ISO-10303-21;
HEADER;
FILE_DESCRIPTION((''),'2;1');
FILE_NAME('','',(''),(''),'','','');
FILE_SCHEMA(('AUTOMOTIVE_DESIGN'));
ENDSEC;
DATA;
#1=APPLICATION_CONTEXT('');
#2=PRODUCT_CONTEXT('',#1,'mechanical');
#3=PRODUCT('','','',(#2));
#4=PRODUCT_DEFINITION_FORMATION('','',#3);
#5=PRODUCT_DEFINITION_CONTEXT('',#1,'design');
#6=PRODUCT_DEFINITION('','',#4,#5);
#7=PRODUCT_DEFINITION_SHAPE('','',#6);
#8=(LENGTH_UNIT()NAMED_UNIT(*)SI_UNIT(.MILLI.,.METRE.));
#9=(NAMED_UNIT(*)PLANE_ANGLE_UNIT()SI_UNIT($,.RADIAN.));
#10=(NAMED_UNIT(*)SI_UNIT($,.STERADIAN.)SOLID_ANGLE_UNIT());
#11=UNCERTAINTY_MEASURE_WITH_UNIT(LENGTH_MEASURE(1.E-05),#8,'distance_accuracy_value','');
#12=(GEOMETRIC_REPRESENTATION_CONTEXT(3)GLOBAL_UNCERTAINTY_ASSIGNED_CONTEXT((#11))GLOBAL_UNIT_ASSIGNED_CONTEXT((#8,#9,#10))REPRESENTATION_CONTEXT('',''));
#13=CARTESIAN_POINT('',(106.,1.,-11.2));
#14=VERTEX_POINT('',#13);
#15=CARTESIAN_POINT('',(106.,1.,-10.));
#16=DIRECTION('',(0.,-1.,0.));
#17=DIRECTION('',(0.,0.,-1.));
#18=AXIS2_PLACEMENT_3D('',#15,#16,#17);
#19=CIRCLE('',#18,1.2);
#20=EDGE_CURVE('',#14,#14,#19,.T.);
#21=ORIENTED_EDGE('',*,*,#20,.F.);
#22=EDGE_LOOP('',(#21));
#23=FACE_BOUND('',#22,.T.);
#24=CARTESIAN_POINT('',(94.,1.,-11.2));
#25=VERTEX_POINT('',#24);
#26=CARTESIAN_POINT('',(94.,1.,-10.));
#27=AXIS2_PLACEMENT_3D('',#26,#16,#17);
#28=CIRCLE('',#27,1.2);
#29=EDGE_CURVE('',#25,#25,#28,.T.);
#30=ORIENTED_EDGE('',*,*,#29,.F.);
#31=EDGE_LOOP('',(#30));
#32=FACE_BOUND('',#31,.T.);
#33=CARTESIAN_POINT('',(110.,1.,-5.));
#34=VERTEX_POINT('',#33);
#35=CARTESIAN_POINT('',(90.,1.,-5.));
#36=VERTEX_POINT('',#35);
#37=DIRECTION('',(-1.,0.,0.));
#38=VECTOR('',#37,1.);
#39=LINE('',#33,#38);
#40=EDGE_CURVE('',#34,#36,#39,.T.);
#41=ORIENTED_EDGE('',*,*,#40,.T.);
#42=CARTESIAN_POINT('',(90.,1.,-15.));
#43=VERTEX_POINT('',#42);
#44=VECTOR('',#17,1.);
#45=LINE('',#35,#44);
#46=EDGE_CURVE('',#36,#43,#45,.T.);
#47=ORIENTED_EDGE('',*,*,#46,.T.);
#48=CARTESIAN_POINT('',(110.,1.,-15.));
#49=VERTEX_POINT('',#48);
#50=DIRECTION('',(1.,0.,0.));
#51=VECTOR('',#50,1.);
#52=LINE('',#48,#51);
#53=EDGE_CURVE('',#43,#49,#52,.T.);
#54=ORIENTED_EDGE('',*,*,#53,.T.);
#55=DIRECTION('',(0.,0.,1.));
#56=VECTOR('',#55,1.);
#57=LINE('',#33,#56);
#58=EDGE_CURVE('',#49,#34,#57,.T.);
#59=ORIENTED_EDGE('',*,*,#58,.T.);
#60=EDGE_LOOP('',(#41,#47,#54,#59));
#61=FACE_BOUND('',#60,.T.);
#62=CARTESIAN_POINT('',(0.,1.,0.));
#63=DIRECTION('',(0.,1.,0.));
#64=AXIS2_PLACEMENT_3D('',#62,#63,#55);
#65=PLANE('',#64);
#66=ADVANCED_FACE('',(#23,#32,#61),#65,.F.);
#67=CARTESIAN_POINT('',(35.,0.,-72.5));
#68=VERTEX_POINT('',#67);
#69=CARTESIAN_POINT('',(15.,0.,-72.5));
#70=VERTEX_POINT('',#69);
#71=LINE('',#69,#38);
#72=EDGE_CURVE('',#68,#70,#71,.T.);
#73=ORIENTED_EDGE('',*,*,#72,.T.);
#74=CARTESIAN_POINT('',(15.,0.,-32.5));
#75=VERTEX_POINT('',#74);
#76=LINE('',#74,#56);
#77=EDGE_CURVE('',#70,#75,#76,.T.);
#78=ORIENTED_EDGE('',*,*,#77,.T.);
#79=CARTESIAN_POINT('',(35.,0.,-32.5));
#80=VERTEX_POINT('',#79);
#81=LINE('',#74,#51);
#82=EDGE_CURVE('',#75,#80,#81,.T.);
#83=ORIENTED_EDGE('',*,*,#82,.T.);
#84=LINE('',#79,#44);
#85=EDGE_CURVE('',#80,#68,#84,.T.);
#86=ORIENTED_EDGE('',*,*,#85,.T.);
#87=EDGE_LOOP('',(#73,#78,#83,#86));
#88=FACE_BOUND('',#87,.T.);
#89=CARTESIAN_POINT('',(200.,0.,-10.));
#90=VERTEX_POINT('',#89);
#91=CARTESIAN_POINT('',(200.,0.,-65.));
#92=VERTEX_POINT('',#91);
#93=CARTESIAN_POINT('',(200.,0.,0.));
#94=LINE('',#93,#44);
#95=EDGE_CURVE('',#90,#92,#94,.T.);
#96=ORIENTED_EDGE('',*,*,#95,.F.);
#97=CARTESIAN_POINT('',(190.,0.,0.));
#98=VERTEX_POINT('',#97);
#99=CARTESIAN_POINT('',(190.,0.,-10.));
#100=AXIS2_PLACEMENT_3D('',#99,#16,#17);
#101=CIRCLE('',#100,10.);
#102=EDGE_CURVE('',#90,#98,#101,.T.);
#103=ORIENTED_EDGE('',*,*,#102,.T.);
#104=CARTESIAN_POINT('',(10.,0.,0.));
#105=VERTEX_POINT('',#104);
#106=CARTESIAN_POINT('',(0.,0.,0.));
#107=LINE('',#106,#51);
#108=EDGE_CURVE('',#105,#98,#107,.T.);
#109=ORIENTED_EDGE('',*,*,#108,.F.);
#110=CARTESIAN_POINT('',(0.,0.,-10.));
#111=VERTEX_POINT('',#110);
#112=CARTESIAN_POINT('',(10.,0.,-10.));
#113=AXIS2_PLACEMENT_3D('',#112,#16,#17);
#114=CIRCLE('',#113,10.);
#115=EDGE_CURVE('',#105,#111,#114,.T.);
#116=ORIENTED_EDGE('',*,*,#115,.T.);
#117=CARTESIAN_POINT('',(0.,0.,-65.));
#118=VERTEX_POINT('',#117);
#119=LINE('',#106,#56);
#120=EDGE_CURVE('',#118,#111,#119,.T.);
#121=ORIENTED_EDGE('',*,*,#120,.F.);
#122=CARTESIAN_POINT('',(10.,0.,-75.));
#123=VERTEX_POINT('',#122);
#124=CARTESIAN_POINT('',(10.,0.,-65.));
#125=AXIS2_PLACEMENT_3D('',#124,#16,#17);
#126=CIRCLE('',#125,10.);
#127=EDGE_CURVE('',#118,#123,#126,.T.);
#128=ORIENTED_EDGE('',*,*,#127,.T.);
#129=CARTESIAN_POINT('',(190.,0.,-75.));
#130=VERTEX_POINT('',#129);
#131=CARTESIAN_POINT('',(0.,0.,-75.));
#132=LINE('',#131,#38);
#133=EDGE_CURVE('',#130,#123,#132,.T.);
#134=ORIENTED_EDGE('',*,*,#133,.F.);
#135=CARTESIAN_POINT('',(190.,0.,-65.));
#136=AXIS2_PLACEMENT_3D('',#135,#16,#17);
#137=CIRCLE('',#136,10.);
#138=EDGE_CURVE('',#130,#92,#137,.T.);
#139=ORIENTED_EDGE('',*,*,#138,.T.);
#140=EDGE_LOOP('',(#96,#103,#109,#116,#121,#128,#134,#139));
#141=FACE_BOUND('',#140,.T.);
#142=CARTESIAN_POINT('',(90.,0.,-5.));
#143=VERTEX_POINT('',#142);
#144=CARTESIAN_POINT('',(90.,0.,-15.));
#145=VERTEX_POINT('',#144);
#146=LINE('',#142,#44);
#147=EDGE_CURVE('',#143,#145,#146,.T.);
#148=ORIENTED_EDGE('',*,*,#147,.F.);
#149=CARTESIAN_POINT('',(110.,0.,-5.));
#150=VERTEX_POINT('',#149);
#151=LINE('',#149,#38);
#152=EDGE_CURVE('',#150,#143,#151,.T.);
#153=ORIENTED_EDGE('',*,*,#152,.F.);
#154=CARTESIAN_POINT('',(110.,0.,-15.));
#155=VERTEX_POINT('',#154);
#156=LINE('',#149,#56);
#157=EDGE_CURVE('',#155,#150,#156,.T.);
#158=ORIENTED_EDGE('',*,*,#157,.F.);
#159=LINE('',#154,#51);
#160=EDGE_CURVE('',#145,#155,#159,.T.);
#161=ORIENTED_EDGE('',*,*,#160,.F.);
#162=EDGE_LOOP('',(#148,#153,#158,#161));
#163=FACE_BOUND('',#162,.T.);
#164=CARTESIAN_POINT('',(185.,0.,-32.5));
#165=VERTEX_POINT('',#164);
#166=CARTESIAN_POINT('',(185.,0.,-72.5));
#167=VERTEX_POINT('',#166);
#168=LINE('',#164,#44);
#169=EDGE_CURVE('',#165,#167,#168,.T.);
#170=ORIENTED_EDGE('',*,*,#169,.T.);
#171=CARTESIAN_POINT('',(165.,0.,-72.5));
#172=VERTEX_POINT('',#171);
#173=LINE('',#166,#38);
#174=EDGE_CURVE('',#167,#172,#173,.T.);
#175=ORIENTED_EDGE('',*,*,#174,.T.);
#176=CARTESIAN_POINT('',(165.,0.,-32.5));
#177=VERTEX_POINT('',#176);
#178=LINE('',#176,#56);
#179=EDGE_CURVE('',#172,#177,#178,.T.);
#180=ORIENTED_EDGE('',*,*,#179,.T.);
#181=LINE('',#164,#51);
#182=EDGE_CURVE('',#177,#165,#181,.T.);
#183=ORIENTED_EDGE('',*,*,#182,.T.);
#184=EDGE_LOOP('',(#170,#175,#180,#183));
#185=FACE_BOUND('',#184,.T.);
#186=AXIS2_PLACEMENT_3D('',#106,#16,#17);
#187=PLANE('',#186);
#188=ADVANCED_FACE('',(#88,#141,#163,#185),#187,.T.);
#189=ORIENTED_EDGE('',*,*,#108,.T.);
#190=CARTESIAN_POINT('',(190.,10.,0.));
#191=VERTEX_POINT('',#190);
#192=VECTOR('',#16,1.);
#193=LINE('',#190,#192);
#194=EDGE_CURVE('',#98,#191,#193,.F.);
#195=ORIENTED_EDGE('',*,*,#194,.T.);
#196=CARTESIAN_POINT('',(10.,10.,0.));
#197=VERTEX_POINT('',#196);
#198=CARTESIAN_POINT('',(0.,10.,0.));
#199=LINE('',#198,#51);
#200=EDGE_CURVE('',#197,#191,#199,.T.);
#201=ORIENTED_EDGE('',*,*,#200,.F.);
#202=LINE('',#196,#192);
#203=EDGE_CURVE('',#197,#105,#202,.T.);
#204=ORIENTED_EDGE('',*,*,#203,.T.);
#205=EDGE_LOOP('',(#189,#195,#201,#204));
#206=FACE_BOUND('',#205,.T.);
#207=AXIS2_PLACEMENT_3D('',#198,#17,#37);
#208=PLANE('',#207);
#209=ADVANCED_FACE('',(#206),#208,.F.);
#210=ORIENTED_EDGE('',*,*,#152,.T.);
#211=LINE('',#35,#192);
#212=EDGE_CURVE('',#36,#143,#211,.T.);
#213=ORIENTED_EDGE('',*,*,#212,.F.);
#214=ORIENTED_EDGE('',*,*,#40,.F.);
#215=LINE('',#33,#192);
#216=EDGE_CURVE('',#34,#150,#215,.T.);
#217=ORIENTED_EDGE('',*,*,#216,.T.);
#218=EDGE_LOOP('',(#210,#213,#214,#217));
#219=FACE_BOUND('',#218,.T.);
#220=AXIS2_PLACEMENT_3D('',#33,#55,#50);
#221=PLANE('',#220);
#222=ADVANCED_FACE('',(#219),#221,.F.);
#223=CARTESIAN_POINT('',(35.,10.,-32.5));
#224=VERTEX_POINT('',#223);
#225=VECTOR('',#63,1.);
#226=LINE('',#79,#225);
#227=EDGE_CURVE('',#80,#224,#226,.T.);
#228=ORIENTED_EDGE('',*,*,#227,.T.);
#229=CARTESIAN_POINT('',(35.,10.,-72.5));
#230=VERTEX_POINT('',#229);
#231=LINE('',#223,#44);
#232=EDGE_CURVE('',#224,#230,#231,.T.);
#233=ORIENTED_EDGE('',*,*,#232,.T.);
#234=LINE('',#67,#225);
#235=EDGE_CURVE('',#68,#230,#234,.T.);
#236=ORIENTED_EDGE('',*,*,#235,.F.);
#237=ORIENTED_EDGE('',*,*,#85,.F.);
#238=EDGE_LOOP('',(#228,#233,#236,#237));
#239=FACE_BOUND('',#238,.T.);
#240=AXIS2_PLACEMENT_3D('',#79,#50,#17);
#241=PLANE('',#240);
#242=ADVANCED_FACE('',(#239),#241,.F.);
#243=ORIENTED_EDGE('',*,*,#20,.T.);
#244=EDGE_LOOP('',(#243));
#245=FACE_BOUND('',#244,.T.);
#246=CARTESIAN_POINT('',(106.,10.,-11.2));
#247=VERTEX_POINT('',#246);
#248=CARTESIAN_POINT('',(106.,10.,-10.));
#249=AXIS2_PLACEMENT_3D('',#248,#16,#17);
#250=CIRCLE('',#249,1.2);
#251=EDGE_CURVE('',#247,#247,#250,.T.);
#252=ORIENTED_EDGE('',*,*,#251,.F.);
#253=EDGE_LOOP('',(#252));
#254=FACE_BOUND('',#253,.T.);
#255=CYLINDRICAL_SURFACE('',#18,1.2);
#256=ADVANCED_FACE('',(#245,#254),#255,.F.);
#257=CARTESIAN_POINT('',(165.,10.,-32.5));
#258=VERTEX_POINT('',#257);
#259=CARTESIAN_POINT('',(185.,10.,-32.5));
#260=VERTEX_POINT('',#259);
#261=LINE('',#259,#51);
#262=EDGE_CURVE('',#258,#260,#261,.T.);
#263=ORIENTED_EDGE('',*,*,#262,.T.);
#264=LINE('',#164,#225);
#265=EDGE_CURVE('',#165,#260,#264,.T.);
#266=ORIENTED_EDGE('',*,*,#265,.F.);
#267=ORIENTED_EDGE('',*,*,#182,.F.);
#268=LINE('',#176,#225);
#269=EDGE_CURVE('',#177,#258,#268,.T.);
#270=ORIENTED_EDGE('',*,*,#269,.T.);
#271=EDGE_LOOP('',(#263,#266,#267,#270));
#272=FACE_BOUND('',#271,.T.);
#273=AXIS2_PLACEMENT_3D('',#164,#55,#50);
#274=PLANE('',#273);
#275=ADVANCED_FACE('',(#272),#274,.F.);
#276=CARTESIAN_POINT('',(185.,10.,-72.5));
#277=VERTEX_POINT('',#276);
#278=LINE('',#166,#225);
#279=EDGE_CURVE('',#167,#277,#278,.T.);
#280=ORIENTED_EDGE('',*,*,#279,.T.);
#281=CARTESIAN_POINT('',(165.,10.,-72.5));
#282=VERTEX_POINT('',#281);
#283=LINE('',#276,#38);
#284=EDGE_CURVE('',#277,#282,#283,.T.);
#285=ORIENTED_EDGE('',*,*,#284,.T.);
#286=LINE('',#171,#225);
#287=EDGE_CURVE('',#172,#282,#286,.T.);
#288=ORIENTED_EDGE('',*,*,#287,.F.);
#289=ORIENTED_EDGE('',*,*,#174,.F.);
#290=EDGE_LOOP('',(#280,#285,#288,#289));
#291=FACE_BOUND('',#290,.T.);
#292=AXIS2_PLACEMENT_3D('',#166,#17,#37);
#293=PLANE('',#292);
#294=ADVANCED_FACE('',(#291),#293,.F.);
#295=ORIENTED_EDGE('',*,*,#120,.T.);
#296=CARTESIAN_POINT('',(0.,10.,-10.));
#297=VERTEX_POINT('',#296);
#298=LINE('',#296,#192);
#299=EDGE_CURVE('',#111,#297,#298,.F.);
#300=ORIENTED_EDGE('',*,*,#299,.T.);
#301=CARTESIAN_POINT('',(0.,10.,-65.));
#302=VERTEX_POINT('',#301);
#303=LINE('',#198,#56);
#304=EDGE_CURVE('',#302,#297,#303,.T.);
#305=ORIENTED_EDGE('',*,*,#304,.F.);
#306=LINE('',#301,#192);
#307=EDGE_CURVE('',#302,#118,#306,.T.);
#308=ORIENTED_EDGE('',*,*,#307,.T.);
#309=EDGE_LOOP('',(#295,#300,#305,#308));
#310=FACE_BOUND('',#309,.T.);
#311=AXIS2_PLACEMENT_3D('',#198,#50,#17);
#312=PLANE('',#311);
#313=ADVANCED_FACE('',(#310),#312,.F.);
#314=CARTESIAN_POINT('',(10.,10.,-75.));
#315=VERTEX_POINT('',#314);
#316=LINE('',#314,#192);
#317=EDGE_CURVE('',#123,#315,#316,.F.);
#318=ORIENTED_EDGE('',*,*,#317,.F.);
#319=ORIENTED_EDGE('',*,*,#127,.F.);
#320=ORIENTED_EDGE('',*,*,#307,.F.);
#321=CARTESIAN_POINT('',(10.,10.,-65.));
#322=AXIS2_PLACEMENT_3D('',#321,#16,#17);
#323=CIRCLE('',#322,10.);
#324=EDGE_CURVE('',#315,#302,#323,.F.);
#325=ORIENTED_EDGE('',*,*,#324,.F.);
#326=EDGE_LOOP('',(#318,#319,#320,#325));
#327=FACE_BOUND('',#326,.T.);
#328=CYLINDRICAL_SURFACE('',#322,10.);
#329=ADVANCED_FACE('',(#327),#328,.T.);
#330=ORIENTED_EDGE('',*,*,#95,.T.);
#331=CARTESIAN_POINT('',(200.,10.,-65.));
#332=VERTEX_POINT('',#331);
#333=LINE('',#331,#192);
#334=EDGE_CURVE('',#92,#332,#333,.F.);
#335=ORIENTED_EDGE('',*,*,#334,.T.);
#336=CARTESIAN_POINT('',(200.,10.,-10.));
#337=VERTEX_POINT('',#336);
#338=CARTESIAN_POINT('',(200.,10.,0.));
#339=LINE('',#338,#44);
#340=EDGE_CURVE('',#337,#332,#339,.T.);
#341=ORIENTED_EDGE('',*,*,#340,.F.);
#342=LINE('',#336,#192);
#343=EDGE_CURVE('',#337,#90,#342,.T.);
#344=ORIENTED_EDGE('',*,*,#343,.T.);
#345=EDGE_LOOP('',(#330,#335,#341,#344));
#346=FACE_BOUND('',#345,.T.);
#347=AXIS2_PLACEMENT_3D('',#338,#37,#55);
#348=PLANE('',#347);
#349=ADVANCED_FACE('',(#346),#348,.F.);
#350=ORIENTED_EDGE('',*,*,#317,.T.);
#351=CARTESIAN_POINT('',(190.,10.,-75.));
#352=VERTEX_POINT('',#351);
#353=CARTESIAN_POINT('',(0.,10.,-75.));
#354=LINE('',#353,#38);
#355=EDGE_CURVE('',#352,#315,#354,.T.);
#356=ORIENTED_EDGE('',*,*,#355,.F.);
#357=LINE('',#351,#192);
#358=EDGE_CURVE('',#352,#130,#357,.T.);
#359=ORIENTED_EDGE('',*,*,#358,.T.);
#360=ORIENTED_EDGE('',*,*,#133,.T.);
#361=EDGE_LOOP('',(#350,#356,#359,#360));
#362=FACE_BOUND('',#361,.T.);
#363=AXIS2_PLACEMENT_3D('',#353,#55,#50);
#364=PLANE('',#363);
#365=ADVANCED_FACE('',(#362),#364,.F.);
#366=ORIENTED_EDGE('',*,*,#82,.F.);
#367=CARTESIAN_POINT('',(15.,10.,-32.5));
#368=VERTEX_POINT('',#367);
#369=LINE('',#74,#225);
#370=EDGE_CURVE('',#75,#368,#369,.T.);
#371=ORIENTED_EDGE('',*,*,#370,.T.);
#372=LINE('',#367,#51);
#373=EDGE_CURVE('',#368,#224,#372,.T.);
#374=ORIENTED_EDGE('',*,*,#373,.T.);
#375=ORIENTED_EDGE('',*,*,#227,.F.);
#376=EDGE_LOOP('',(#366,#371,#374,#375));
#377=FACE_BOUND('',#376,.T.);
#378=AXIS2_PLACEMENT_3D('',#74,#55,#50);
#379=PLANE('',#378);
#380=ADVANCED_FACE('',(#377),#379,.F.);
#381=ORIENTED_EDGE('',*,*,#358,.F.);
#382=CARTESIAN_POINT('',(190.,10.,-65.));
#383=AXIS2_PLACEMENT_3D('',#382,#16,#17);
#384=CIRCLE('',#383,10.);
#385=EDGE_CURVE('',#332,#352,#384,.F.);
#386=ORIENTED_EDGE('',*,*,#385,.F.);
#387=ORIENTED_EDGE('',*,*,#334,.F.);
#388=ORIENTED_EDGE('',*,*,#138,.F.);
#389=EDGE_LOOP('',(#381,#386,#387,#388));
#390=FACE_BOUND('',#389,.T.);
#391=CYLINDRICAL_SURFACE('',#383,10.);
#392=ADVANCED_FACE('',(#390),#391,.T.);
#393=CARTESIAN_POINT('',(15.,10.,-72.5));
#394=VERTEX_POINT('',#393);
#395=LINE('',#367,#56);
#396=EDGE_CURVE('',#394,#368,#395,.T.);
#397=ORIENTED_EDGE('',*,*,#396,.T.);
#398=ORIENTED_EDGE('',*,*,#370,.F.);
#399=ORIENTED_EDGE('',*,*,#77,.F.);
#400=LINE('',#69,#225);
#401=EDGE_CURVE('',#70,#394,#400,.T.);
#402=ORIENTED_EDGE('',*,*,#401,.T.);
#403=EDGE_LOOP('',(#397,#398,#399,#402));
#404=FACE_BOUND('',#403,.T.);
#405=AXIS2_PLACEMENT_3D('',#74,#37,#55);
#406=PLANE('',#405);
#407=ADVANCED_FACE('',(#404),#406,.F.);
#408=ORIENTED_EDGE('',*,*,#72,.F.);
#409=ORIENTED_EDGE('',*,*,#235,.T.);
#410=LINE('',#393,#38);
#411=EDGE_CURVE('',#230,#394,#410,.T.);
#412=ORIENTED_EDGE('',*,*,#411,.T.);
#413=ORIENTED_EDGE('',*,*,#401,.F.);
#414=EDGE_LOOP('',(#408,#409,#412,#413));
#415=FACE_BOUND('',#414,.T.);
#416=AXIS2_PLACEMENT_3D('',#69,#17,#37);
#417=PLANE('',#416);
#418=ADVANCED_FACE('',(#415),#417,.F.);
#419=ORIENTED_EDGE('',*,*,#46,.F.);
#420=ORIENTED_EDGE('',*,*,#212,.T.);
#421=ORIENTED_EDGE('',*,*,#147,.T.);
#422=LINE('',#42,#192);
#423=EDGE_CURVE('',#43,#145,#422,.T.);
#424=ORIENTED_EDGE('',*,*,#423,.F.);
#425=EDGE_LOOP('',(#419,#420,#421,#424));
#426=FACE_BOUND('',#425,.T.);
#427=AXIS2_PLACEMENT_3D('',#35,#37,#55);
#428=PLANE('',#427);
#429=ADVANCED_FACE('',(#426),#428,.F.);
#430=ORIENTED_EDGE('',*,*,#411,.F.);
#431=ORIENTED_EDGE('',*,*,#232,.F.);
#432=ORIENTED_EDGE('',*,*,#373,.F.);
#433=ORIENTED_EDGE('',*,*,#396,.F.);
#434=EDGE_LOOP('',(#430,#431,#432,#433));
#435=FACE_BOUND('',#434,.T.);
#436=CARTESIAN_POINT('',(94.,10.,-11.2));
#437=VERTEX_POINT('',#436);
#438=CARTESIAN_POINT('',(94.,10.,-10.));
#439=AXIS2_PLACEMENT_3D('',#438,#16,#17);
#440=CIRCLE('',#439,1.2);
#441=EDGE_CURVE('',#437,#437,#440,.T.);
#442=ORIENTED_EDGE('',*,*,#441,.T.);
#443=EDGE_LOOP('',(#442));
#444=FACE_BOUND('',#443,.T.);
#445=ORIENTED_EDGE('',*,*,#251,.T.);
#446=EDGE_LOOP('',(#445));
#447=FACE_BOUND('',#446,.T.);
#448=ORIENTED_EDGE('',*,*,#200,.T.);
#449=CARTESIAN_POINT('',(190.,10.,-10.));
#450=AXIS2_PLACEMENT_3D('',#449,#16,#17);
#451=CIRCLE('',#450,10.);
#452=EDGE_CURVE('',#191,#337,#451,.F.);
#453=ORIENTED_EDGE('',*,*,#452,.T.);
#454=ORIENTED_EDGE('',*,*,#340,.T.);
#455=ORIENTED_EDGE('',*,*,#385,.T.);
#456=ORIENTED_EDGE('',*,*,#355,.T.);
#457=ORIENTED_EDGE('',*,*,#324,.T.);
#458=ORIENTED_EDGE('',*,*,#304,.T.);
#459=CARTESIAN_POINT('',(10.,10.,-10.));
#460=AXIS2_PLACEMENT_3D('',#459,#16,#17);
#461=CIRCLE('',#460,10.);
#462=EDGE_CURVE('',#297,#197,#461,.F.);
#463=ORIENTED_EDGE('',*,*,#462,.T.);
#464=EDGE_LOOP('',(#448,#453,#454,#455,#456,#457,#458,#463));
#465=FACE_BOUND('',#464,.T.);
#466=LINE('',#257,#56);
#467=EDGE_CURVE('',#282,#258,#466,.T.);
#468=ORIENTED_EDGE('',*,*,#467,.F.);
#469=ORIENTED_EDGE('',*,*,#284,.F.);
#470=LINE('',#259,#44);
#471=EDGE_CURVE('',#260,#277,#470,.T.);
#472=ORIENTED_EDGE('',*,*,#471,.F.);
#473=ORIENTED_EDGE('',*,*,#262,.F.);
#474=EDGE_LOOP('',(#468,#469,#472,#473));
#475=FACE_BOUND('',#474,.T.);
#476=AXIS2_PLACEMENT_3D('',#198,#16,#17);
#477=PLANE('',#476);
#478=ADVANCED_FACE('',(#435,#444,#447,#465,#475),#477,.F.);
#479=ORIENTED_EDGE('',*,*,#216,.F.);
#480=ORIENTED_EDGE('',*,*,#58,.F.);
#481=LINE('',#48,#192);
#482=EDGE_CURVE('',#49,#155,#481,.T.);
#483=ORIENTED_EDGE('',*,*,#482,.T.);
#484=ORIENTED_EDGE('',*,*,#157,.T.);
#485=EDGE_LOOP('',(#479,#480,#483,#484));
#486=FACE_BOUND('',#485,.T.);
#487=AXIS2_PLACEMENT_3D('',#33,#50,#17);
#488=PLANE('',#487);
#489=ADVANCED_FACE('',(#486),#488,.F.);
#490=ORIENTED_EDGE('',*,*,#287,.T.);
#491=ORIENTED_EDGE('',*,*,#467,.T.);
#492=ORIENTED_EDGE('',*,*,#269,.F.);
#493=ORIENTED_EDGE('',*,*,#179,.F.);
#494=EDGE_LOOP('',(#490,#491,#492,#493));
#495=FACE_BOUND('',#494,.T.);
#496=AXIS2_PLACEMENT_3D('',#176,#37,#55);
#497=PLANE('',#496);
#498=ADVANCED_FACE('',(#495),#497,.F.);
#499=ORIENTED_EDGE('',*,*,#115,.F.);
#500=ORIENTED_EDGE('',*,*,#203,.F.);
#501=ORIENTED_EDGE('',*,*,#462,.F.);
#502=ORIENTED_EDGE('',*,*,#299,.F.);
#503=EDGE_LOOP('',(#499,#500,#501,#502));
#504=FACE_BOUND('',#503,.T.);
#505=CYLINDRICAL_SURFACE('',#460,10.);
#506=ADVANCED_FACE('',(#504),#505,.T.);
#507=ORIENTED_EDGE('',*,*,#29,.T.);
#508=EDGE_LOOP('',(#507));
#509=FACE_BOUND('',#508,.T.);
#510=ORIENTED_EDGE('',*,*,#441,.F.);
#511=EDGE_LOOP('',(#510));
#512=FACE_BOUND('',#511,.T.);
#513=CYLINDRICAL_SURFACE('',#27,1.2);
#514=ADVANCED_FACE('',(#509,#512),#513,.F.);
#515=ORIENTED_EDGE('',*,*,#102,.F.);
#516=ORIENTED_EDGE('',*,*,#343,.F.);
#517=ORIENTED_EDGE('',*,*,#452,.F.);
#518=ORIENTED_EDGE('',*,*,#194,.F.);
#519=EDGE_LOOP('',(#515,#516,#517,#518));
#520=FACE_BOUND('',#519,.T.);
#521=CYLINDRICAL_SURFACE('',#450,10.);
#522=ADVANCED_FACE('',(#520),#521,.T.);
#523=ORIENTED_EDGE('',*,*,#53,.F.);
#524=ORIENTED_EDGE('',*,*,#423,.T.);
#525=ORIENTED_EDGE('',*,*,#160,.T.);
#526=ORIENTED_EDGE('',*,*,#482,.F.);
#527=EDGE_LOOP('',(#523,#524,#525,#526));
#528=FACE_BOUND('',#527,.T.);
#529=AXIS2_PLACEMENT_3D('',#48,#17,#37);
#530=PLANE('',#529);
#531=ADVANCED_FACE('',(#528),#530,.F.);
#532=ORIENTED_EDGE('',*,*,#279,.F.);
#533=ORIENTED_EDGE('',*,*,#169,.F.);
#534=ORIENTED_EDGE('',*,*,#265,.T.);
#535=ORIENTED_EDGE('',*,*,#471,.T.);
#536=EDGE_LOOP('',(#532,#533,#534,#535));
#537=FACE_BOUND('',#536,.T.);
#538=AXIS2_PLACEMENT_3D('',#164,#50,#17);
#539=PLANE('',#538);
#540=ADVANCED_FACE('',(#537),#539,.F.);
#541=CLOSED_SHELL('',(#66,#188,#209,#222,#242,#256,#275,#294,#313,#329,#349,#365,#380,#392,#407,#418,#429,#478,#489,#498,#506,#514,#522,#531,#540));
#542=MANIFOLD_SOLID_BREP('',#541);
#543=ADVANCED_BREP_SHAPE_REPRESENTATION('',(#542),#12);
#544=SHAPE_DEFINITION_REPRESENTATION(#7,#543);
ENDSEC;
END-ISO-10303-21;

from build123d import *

# Parameters (mm, degrees)
ESQUISSE1_W             = 200
ESQUISSE1_H             = 75
BOSS_EXTRU_1_DEPTH      = 10
CONG_1_R                = 10
ESQUISSE2_W             = 20
ESQUISSE2_H             = 40
ENL_V_MAT_EXTRU_1_DEPTH = 10
ESQUISSE3_W             = 20
ESQUISSE3_H             = 10
ENL_V_MAT_EXTRU_2_DEPTH = 1
D_GAGEMENT_M21_D        = 2.4


with BuildPart() as part:
    # Esquisse1 → Boss.-Extru.1 (new body)
    with BuildSketch(Plane(origin=(0, 0, 0), x_dir=(1, 0, 0), z_dir=(0, 1, 0))):
        with Locations((100, 37.5)):
            Rectangle(ESQUISSE1_W, ESQUISSE1_H)
    extrude(amount=BOSS_EXTRU_1_DEPTH)

    # Cong_1
    cong_1_edges = [part.edges().sort_by_distance(p)[0] for p in [
        (0, 5, -75),
        (200, 5, -75),
        (200, 5, 0),
        (0, 5, 0),
    ]]
    fillet(cong_1_edges, radius=CONG_1_R)

    # Esquisse2 → Enl_v. mat.-Extru.1 (cut)
    with BuildSketch(Plane(origin=(0, 10, 0), x_dir=(1, 0, 0), z_dir=(0, 1, 0))):
        with Locations((25, 52.5)):
            Rectangle(ESQUISSE2_W, ESQUISSE2_H)
        with Locations((175, 52.5)):
            Rectangle(ESQUISSE2_W, ESQUISSE2_H)
    extrude(amount=-ENL_V_MAT_EXTRU_1_DEPTH, mode=Mode.SUBTRACT)

    # Esquisse3 → Enl_v. mat.-Extru.2 (cut)
    with BuildSketch(Plane.XZ):
        with Locations((100, -10)):
            Rectangle(ESQUISSE3_W, ESQUISSE3_H)
    extrude(amount=-ENL_V_MAT_EXTRU_2_DEPTH, mode=Mode.SUBTRACT)

    # D_gagement M21 (through all)
    with Locations(Plane(origin=(0, 1, 0), x_dir=(-1, 0, 0), z_dir=(0, -1, 0))):
        with Locations((-106, 10), (-94, 10)):
            Hole(D_GAGEMENT_M21_D / 2)


solid = part.part
